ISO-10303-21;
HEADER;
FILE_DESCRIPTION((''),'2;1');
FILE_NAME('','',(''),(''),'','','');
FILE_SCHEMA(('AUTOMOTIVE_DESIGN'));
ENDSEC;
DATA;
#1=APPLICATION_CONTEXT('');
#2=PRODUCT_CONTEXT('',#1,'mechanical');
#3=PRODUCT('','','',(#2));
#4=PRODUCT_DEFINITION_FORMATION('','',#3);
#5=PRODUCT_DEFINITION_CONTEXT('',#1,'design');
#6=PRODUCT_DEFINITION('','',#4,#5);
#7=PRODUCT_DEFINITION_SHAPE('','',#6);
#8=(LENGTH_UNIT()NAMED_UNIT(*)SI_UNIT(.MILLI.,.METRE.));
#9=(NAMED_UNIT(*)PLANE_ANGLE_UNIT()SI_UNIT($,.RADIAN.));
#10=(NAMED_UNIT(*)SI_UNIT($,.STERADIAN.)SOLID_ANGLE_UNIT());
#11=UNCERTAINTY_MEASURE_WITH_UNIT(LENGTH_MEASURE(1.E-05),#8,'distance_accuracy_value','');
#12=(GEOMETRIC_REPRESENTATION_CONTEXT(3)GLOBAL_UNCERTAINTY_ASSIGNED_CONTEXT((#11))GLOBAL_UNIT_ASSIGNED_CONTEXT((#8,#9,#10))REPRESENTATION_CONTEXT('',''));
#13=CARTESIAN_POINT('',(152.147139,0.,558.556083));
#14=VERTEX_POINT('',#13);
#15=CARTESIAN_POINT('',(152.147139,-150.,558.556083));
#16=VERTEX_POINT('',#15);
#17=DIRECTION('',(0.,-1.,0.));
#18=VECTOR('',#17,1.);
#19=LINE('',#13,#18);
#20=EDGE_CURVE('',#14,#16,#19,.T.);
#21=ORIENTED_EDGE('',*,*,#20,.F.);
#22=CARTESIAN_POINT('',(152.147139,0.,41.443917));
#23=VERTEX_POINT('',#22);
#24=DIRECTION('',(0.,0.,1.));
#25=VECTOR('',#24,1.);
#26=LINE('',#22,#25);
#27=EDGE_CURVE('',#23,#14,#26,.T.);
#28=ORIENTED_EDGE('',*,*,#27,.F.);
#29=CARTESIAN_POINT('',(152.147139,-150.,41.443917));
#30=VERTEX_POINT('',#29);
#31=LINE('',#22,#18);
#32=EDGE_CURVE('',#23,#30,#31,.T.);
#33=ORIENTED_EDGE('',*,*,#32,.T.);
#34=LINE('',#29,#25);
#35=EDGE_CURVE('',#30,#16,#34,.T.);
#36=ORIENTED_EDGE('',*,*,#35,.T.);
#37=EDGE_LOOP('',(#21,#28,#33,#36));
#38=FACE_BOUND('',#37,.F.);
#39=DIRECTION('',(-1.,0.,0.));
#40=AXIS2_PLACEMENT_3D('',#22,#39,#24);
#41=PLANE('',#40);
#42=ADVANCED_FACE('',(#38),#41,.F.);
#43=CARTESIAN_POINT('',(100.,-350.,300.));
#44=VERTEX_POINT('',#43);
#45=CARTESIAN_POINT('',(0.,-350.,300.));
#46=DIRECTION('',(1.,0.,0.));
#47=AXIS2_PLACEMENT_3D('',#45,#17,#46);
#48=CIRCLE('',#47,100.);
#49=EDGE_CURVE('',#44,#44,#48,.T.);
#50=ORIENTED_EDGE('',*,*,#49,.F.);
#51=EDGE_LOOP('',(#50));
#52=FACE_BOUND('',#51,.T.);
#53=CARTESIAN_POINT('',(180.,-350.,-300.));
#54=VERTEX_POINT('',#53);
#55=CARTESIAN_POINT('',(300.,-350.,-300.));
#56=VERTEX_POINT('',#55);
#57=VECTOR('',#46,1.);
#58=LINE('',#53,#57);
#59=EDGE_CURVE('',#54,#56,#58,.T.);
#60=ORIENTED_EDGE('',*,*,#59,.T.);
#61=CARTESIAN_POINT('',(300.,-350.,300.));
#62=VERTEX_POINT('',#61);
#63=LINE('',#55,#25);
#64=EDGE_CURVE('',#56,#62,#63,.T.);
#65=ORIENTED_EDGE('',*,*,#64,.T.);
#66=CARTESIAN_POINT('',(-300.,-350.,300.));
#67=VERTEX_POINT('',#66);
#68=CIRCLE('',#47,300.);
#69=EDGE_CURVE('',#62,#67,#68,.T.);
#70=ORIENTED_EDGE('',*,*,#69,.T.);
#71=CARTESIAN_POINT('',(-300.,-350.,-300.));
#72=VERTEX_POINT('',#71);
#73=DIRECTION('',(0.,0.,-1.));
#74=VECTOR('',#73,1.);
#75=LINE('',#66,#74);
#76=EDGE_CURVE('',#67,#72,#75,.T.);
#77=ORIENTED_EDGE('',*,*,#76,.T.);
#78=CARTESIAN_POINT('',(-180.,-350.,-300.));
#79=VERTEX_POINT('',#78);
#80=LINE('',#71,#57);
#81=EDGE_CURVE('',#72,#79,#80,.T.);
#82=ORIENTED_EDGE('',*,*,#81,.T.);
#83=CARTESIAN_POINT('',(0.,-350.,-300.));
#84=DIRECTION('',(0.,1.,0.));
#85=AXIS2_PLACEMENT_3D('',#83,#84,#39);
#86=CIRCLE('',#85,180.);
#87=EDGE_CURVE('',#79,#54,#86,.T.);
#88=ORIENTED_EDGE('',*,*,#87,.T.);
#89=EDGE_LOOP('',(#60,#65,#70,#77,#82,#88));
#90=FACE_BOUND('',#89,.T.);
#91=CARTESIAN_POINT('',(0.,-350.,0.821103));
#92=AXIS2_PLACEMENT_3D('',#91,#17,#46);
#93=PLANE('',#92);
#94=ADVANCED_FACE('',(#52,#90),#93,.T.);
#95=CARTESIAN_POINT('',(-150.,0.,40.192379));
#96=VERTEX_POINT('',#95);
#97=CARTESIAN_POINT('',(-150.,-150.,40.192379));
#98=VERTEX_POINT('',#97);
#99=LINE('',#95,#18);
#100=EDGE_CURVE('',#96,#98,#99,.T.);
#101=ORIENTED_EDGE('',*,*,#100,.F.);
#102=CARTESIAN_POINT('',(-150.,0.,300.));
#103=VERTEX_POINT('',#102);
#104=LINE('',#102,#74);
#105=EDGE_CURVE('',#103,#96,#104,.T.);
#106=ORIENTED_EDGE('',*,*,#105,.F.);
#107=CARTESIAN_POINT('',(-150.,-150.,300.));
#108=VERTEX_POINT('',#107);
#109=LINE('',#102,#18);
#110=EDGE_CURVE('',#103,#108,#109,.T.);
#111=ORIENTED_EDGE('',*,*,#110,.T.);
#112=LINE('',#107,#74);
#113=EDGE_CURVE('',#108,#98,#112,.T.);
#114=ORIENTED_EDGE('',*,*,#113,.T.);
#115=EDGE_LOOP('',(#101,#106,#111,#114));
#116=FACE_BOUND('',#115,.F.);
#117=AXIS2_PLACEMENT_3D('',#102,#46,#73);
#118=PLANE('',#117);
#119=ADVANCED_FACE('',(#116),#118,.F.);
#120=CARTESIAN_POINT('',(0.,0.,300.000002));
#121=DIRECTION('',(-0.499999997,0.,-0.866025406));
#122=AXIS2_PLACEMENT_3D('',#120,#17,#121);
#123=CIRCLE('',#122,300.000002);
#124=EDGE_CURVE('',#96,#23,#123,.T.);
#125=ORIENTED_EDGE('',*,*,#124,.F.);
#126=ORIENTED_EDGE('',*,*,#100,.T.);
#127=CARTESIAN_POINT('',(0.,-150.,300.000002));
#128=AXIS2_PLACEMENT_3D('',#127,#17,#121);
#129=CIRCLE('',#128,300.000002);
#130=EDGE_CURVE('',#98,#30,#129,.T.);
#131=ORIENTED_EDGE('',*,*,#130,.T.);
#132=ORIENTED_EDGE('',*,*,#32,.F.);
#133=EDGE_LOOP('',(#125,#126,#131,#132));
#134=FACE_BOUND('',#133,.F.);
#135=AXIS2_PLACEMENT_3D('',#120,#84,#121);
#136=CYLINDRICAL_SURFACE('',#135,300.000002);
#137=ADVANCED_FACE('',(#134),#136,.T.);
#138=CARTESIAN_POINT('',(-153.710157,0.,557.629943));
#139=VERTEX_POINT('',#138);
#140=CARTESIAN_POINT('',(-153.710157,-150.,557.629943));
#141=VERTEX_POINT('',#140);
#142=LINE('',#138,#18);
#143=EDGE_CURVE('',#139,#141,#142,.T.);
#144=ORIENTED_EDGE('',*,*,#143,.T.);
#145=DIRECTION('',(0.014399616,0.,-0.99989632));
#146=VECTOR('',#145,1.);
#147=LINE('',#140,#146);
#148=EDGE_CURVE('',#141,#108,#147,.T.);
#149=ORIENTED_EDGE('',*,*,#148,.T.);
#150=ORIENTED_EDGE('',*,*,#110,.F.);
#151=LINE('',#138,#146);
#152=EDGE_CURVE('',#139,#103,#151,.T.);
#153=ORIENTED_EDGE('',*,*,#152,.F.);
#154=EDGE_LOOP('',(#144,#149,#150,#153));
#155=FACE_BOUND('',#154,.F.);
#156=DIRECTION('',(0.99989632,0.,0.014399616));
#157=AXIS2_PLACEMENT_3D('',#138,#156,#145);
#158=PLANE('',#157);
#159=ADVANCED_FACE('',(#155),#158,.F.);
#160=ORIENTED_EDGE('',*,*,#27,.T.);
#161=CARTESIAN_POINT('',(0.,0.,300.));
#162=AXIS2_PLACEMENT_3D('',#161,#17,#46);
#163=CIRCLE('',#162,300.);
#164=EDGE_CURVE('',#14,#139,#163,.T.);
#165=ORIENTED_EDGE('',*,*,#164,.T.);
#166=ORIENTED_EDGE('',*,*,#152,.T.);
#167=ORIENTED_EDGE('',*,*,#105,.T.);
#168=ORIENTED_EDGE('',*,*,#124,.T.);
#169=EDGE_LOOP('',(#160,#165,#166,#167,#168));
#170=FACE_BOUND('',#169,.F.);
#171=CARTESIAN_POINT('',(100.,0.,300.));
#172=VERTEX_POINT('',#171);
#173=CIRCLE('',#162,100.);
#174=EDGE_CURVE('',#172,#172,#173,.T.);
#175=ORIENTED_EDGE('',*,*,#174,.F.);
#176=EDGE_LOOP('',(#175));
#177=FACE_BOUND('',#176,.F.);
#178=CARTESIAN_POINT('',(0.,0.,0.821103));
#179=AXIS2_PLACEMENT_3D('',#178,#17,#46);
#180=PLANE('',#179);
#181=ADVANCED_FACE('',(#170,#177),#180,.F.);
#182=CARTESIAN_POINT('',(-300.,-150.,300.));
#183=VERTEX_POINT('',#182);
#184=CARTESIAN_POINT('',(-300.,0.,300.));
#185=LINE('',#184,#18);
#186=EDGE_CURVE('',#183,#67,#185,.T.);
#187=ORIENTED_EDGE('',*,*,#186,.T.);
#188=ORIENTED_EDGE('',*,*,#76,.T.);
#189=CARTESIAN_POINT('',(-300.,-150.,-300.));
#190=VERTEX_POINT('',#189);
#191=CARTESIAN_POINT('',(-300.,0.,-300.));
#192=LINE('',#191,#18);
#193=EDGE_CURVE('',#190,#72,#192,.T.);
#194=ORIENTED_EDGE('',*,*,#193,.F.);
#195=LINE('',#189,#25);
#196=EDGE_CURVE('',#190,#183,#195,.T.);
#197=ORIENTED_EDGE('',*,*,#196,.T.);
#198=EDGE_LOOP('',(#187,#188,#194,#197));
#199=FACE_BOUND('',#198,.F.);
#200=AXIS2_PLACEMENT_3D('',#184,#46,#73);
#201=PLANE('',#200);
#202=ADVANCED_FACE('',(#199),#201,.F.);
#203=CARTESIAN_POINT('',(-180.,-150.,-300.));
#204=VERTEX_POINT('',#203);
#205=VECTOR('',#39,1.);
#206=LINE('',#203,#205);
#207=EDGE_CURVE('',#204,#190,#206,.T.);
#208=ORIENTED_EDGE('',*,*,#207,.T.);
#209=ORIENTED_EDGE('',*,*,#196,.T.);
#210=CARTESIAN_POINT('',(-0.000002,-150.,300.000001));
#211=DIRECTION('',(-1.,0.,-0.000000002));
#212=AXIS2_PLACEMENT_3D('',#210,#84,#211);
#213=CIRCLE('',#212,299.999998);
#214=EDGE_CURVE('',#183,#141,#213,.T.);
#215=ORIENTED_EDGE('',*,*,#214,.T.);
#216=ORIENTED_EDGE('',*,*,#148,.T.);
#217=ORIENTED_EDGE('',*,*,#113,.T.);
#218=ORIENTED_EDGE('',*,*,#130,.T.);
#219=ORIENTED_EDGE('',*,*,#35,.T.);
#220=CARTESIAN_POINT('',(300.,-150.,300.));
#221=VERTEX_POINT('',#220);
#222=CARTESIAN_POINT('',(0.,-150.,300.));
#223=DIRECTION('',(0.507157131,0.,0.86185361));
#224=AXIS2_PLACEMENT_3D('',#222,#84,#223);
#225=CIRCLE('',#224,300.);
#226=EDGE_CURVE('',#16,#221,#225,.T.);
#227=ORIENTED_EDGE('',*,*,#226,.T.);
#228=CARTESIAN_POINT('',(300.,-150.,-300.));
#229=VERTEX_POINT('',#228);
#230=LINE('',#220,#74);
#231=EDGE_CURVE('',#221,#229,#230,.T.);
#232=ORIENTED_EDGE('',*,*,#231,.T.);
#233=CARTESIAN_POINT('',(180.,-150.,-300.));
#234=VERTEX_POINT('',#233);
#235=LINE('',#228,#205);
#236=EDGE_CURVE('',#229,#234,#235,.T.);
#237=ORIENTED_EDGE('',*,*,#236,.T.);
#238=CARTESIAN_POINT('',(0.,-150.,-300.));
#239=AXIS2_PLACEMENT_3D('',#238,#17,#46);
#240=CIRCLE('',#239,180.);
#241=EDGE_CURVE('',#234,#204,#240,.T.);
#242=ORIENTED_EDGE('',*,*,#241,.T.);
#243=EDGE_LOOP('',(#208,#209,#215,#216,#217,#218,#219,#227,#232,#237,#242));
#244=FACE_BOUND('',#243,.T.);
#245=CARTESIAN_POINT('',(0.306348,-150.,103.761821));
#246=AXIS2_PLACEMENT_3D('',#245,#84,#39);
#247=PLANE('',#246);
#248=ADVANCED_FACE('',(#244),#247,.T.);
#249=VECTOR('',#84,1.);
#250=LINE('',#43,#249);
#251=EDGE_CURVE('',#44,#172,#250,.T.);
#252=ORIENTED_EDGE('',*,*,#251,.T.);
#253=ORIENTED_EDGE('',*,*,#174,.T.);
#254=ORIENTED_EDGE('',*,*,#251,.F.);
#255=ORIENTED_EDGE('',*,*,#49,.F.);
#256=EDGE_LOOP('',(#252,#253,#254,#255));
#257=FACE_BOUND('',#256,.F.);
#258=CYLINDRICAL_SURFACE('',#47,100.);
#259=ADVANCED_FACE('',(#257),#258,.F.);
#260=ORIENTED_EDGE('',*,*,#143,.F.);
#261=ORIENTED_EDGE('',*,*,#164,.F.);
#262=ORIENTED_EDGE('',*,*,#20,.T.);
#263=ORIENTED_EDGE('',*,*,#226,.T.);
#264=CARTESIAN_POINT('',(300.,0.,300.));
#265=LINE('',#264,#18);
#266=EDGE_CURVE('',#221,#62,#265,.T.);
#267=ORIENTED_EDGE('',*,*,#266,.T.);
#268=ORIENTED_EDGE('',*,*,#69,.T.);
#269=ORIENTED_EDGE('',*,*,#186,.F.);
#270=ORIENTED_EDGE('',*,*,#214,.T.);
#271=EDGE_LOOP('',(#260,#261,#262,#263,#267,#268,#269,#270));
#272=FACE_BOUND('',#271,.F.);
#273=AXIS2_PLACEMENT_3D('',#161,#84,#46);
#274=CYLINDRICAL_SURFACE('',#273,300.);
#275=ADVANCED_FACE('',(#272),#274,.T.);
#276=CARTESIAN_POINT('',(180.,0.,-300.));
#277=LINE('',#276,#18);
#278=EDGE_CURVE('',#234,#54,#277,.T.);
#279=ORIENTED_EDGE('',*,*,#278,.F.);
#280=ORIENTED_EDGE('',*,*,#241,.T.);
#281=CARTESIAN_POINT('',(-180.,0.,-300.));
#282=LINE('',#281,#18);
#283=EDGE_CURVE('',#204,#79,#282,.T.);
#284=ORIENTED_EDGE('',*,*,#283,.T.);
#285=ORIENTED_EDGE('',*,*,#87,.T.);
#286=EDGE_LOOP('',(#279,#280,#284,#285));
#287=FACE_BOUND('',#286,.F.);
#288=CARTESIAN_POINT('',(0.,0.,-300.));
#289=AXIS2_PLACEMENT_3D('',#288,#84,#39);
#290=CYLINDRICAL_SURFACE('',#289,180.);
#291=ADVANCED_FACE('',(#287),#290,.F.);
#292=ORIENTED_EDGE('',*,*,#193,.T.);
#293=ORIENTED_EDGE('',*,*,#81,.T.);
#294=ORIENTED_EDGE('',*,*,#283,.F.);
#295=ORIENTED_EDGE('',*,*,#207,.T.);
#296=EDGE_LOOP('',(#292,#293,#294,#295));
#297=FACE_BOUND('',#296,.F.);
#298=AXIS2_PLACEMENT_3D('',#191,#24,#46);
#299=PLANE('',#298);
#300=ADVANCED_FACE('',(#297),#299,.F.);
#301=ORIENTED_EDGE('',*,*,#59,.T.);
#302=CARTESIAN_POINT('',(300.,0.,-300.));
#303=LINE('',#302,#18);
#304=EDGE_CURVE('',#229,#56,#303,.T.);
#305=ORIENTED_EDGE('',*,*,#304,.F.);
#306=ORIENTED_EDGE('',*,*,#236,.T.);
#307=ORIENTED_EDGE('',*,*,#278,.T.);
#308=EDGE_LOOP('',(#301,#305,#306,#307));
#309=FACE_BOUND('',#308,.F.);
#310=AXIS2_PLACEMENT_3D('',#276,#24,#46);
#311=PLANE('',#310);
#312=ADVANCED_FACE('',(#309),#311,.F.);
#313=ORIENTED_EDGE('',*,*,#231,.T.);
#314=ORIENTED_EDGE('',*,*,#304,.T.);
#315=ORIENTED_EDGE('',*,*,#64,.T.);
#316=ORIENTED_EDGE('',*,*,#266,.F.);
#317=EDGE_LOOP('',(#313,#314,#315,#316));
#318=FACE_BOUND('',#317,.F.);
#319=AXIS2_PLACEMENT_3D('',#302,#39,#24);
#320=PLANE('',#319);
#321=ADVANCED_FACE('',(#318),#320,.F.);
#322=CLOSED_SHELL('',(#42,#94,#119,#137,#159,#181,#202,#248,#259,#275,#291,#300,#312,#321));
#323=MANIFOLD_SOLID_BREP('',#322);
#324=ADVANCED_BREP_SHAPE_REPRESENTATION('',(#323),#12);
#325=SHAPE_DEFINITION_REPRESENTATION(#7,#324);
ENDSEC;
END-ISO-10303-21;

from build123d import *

# Parameters (mm, degrees)
F2_DEPTH = 350
F3_DEPTH = 25
F4_R     = 100
F5_DEPTH = 350.001
F7_DEPTH = 150


with BuildPart() as f2:
    # F0 (on Front) → F2 (new body)
    with BuildSketch(Plane.XZ):
        with BuildLine():
            Line((300, -300), (300, 300))
            Line((300, 300), (-300, 300))
            Line((-300, 300), (-300, -300))
            Line((-300, -300), (-180, -300))
            ThreePointArc((-180, -300), (0, -120), (180, -300))
            Line((180, -300), (300, -300))
        make_face()
        with BuildLine():
            Line((-300, 300), (300, 300))
            ThreePointArc((300, 300), (0, 600), (-300, 300))
        make_face()
    extrude(amount=F2_DEPTH)

    # F1 (on face) → F3 (cut)
    with BuildSketch(Plane.XZ):
        with BuildLine():
            ThreePointArc((180, -300), (0, -120), (-180, -300))
            Line((-180, -300), (180, -300))
        make_face()
    extrude(amount=-F3_DEPTH, mode=Mode.SUBTRACT)

    # F4 (on face) → F5 (cut, through all)
    with BuildSketch(Plane.XZ.offset(350)):
        with Locations((0, 300)):
            Circle(F4_R)
    extrude(amount=-F5_DEPTH, mode=Mode.SUBTRACT)

    # F6 (on face) → F7 (cut)
    with BuildSketch(Plane(origin=(0, 0, 0), x_dir=(-1, 0, 0), z_dir=(0, 1, 0))):
        with BuildLine():
            ThreePointArc((150, 40.192379), (-1.242634, 0.002574), (-152.147139, 41.443917))
            Line((-152.147139, 41.443917), (-152.147139, 558.556083))
            ThreePointArc((-152.147139, 558.556083), (-260.426709, 448.922561), (-300, 300))
            Line((-300, 300), (-300, -300))
            Line((-300, -300), (-180, -300))
            ThreePointArc((-180, -300), (0, -120), (180, -300))
            Line((180, -300), (300, -300))
            Line((300, -300), (300, 300))
            ThreePointArc((300, 300), (260.876453, 448.133306), (153.710157, 557.629943))
            Line((153.710157, 557.629943), (150, 300))
            Line((150, 300), (150, 40.192379))
        make_face()
    extrude(amount=-F7_DEPTH, mode=Mode.SUBTRACT)


solid = f2.part
